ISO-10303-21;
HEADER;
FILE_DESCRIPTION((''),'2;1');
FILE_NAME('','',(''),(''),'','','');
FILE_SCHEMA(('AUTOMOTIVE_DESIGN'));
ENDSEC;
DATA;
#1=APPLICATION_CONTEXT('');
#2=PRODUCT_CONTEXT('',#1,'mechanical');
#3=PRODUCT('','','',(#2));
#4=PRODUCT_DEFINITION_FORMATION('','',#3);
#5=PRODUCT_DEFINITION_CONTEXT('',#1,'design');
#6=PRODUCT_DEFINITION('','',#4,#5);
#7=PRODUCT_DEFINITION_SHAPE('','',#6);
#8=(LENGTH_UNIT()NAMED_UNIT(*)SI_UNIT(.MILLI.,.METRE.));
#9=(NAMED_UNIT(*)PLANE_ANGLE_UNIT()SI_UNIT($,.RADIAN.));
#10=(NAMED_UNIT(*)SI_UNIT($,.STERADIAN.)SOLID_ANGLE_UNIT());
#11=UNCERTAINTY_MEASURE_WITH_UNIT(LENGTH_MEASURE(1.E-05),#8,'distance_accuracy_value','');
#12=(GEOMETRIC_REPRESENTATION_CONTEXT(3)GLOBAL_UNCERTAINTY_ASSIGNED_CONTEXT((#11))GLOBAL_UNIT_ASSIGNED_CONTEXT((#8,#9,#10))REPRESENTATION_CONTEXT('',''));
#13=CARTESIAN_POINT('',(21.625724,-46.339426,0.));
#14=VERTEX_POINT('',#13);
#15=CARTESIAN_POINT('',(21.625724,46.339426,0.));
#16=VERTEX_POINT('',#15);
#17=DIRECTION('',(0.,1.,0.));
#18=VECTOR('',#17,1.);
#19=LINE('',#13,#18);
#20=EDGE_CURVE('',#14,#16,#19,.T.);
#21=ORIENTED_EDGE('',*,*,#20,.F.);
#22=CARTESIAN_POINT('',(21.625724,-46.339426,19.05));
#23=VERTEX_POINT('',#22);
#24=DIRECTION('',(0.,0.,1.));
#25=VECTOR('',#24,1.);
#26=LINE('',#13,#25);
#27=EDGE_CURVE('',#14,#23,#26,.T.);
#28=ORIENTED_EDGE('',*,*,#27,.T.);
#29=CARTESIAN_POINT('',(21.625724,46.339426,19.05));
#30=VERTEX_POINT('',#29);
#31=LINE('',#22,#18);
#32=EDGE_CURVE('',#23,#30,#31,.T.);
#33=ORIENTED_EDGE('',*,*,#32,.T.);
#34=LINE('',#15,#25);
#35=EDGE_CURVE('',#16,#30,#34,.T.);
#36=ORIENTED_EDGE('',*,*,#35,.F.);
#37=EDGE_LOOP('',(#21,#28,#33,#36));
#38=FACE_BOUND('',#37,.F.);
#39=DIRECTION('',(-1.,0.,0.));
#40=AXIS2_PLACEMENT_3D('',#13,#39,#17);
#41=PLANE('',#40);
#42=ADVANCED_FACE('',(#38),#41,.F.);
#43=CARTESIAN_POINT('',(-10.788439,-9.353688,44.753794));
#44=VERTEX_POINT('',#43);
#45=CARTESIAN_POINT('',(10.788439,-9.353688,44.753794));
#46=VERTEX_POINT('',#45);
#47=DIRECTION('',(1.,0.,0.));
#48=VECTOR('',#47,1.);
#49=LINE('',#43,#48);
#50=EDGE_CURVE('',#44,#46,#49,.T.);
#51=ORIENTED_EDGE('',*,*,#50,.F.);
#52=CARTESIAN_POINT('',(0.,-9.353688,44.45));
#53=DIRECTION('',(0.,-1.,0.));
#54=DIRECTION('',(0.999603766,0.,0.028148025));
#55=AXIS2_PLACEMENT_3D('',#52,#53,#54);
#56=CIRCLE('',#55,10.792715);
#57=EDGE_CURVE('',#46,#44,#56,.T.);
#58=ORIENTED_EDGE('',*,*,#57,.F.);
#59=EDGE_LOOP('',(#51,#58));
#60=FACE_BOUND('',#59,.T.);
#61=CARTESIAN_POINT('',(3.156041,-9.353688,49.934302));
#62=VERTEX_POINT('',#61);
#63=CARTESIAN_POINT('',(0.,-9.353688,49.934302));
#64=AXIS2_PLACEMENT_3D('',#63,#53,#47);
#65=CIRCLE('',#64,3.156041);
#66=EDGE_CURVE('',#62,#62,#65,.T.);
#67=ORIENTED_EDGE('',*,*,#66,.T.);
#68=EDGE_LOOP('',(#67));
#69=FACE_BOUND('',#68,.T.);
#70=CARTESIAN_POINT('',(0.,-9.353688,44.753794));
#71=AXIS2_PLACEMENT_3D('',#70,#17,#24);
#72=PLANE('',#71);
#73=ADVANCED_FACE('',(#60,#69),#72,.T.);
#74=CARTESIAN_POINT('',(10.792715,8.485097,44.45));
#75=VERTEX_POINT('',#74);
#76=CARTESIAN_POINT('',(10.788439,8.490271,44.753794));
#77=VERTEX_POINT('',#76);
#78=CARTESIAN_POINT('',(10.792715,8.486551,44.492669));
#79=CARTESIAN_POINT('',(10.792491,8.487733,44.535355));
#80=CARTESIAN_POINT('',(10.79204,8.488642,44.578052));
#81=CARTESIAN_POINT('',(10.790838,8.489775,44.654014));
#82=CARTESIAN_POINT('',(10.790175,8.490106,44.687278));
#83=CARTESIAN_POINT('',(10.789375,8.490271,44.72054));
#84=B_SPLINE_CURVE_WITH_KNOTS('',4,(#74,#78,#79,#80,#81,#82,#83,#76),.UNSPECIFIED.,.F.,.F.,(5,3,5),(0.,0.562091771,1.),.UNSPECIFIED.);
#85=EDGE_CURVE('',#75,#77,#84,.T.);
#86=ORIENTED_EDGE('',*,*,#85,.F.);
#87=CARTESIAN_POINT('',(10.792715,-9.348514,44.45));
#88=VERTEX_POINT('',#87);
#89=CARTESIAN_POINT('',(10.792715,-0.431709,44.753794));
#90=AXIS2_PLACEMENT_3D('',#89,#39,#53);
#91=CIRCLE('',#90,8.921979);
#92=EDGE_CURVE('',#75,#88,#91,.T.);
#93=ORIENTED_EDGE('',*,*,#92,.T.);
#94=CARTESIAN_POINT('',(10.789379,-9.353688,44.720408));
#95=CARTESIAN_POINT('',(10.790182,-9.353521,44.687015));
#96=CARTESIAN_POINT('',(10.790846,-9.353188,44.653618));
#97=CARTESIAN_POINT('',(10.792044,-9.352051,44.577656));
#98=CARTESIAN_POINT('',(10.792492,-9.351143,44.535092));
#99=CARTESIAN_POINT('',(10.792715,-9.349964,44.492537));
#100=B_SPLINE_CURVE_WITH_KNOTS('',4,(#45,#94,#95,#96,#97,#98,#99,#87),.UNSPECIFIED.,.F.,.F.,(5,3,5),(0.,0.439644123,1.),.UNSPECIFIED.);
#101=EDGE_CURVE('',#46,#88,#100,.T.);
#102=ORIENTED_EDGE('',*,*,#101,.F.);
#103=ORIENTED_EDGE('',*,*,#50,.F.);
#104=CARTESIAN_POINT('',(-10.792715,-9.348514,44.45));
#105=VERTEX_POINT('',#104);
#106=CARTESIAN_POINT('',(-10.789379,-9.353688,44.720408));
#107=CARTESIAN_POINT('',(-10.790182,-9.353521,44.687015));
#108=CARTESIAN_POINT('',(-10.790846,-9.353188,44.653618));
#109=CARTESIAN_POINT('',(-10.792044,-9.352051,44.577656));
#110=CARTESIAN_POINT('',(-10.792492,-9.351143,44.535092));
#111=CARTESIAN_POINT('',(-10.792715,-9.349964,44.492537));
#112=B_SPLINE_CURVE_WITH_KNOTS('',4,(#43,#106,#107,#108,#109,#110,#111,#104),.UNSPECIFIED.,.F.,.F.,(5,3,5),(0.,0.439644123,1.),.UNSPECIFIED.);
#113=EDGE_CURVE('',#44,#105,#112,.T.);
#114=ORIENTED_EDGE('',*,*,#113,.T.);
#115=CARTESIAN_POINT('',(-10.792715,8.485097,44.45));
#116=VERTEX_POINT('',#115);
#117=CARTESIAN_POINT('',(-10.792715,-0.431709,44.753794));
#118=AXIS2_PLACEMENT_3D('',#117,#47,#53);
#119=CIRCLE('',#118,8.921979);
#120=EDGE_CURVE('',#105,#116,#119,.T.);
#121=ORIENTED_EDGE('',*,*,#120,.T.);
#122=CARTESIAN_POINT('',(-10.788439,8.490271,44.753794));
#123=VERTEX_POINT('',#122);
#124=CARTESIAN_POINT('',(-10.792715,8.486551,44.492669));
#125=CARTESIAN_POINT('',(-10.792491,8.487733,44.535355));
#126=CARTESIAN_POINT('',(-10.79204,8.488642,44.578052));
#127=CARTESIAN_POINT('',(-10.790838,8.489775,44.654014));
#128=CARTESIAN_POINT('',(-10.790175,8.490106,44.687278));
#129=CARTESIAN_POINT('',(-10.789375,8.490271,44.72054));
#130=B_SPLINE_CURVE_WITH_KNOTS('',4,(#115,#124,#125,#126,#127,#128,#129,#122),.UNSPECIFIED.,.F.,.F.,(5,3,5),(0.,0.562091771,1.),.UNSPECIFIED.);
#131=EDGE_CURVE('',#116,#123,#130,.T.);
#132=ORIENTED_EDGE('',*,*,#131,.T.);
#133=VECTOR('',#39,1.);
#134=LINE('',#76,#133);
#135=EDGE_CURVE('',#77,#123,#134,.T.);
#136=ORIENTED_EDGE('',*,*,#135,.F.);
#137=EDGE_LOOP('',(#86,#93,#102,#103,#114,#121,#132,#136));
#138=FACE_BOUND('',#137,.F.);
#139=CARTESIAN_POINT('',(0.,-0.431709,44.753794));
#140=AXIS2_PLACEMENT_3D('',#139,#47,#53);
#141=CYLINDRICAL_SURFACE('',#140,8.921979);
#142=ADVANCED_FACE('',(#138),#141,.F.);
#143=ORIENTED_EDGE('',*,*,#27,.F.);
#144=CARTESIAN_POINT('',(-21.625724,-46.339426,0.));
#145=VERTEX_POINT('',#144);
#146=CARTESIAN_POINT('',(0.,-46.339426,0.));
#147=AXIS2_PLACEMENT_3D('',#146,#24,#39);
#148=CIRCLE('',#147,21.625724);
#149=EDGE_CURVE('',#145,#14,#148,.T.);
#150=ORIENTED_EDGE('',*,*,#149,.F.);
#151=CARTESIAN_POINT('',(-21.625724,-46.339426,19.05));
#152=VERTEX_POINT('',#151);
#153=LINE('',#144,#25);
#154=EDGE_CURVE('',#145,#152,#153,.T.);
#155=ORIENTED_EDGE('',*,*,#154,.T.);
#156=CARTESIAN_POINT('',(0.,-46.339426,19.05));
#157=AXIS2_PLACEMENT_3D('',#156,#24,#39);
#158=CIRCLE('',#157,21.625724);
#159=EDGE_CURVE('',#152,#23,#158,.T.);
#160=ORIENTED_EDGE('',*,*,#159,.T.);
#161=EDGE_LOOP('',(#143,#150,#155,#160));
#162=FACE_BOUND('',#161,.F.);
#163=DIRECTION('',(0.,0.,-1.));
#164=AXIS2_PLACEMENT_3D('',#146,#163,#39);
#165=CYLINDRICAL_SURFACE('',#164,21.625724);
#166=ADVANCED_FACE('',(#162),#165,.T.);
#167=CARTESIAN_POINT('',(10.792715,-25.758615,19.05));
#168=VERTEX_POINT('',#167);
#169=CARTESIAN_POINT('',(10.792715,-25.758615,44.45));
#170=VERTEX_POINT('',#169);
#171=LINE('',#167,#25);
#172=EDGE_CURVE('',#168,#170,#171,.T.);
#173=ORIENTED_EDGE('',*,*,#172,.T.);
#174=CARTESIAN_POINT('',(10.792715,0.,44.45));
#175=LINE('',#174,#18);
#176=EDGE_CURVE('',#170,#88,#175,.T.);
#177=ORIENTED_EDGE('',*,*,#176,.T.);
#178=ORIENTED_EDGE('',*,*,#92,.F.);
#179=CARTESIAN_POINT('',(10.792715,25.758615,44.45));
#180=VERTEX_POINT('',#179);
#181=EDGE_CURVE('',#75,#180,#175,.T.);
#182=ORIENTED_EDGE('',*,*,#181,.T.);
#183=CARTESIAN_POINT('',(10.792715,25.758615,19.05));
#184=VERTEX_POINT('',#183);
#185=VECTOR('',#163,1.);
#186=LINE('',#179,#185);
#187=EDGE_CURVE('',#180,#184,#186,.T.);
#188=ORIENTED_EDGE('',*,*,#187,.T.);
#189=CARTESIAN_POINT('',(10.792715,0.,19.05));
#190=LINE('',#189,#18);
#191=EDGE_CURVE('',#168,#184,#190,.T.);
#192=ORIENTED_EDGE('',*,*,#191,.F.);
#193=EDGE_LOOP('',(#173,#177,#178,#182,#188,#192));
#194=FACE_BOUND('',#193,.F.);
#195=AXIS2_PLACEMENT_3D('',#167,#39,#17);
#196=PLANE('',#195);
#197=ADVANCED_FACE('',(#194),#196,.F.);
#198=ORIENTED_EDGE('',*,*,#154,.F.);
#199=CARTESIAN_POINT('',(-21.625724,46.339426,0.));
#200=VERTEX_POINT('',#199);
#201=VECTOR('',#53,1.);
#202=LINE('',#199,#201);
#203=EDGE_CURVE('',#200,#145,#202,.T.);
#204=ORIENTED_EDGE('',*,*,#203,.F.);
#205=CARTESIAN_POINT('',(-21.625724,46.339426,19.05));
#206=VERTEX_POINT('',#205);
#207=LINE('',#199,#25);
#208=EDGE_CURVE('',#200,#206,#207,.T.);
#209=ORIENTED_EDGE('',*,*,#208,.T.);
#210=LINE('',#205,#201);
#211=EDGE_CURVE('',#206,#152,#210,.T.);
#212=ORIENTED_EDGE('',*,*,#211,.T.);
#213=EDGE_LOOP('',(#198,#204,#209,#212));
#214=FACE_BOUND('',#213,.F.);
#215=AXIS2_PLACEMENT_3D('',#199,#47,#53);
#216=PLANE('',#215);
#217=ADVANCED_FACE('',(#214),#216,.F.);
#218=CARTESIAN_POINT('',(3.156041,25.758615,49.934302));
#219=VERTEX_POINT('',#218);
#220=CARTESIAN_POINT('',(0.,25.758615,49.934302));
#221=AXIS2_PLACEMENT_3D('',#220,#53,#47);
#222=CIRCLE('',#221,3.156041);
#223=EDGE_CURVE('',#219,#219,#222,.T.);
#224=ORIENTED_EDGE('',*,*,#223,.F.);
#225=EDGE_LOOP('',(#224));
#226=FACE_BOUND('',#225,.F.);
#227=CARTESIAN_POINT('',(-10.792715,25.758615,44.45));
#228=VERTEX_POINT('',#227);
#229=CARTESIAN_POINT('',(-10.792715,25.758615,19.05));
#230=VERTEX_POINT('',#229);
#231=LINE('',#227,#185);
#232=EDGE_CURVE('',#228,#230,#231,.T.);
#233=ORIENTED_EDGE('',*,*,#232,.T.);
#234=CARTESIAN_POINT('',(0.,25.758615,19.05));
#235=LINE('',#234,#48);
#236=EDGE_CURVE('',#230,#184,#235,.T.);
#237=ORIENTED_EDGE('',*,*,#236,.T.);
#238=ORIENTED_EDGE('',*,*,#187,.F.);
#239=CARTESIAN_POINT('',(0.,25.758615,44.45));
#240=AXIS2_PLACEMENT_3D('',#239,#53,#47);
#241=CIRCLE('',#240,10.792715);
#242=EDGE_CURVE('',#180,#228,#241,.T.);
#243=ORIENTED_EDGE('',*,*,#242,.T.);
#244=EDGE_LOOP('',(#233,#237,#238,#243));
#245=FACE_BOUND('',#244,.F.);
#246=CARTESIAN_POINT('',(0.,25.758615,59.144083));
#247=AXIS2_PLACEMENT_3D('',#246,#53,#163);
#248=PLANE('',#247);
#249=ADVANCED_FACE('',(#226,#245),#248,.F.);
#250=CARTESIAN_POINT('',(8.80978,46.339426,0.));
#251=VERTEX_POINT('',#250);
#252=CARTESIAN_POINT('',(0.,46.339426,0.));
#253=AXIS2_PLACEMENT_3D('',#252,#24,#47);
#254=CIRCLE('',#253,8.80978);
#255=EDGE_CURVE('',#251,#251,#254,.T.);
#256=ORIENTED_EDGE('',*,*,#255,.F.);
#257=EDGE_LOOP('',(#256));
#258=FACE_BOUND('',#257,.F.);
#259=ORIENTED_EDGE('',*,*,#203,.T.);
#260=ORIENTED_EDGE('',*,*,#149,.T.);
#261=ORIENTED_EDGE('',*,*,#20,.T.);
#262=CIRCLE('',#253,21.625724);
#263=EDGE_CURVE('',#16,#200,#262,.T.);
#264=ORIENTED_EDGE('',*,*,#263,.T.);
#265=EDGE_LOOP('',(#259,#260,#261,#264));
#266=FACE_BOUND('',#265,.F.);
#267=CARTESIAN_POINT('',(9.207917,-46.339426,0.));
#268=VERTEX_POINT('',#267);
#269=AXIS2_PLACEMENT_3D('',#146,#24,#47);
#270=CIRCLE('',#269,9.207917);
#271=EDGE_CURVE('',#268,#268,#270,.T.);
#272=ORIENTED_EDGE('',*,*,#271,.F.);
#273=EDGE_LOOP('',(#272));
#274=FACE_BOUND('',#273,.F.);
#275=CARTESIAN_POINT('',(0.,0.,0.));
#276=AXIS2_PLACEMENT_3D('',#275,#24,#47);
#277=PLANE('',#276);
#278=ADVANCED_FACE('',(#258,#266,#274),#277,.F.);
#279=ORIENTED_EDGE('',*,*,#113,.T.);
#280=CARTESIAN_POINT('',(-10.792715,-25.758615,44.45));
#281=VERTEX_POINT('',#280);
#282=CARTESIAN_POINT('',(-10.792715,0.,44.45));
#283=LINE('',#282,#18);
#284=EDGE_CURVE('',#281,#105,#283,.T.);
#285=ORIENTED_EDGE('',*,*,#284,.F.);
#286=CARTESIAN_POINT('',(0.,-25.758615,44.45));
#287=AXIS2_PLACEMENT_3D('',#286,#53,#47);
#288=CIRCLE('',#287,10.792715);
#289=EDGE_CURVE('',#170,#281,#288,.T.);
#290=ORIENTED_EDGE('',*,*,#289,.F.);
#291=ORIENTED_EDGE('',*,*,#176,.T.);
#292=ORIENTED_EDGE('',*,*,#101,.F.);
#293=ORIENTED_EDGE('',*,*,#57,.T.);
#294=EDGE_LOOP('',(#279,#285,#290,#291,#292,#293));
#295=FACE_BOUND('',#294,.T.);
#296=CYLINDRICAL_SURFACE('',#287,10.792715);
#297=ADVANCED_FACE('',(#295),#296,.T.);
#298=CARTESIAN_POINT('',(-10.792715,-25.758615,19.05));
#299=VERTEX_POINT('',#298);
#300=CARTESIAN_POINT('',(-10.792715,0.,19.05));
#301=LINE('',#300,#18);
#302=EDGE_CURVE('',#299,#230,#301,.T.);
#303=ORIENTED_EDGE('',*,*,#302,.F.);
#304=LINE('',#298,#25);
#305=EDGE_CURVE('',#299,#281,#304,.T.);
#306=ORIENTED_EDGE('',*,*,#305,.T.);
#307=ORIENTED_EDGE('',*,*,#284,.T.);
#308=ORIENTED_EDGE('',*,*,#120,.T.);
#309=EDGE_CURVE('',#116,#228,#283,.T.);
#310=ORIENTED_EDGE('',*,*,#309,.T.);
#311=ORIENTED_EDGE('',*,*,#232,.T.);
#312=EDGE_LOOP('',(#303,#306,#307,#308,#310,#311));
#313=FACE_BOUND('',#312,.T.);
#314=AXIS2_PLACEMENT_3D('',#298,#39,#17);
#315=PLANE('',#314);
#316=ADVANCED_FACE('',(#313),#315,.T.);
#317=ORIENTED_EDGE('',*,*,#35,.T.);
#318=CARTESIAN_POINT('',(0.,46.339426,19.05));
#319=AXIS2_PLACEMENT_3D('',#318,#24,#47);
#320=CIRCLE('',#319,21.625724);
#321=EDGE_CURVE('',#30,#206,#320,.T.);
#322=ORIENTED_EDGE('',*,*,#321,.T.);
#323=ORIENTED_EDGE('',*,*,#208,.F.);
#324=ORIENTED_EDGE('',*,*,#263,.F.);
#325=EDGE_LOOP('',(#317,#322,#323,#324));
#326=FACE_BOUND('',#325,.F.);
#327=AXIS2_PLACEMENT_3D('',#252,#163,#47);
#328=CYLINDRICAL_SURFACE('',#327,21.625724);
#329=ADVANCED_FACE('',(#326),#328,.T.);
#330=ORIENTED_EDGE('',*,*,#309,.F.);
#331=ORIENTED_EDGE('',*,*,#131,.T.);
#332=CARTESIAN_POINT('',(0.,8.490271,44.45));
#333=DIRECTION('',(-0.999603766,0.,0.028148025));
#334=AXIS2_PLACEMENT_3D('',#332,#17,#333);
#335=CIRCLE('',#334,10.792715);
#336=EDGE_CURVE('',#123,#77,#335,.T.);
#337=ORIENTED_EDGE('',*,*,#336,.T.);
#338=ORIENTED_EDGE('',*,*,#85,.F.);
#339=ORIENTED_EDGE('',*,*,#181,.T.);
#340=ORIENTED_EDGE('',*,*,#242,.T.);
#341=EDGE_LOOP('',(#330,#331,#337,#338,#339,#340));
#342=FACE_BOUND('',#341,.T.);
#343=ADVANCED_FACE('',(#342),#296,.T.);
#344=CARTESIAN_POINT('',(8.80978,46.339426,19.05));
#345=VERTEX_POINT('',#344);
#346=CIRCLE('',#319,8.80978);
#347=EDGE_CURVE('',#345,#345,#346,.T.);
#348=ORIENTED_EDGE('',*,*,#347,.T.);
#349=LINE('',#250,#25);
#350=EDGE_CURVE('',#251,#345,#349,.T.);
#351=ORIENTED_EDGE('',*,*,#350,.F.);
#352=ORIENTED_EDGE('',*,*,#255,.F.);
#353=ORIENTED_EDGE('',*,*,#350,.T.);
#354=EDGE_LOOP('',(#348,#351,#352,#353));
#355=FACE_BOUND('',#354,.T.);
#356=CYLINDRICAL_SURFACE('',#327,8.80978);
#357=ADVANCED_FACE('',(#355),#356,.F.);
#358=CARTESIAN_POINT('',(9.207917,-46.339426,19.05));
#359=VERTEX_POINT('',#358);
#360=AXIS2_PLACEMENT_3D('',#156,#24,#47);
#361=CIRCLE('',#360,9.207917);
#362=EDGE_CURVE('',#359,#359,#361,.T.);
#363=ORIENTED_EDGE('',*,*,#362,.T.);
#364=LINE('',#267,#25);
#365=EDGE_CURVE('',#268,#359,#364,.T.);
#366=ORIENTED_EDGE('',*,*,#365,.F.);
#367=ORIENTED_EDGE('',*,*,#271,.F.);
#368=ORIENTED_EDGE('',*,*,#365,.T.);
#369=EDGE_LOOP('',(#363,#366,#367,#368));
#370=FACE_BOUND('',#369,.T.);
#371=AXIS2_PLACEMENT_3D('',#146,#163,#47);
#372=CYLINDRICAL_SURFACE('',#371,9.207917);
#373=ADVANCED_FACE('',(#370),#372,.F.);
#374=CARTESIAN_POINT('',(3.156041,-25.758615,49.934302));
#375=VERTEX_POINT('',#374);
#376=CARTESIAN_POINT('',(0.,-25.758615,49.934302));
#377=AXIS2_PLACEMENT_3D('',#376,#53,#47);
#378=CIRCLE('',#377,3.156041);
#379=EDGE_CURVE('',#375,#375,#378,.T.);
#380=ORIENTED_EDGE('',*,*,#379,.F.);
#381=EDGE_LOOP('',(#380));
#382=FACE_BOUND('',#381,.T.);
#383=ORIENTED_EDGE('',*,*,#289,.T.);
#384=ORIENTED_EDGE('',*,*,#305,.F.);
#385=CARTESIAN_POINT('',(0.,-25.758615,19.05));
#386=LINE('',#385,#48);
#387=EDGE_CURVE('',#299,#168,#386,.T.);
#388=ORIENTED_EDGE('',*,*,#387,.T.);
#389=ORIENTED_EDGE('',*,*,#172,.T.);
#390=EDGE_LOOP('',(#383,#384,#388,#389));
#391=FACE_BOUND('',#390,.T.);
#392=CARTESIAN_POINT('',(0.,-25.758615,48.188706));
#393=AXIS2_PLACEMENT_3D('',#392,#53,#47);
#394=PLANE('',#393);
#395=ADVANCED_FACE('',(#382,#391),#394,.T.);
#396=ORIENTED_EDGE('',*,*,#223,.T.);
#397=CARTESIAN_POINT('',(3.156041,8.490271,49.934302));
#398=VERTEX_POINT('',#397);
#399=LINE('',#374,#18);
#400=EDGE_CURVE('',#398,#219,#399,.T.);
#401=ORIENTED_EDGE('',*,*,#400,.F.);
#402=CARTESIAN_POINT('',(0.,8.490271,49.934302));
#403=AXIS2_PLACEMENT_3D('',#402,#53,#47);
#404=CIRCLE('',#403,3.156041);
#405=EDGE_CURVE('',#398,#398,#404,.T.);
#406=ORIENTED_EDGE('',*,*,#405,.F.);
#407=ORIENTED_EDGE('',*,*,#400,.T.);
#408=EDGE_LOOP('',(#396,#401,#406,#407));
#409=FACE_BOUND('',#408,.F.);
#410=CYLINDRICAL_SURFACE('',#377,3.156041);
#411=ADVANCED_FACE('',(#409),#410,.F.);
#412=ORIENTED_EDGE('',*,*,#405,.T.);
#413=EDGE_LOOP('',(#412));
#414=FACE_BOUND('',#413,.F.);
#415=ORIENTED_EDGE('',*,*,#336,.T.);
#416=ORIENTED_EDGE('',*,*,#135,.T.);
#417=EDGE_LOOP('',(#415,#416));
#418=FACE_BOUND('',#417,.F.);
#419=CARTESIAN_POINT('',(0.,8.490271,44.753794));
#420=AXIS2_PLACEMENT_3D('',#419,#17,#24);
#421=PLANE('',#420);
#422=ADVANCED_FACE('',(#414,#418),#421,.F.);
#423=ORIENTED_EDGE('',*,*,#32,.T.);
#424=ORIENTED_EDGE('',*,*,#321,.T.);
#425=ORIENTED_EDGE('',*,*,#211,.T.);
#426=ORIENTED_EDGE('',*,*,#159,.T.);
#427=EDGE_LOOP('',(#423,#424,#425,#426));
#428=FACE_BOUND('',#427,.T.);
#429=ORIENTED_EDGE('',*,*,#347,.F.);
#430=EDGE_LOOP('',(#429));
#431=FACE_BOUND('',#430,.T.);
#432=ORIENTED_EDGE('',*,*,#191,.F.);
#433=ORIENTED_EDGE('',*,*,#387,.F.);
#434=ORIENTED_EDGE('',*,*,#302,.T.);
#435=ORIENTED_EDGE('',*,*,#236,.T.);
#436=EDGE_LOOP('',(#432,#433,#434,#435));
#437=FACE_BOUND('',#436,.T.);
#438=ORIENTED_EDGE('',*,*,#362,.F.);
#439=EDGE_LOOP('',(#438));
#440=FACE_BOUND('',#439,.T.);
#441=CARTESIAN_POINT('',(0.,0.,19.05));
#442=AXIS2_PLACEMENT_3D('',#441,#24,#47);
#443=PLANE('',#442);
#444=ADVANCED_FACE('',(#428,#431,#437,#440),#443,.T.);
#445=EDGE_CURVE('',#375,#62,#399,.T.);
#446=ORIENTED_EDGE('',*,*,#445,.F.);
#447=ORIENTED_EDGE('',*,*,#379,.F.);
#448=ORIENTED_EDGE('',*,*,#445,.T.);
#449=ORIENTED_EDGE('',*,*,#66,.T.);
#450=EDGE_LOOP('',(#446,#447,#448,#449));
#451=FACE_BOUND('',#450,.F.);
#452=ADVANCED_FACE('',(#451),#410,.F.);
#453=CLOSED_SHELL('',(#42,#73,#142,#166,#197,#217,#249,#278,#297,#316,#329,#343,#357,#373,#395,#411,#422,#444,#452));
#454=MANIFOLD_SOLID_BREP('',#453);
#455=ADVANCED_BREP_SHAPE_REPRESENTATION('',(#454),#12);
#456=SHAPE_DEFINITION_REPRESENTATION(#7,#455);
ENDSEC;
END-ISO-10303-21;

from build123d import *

# Parameters (mm, degrees)
F0_R      = 9.207917
F0_R_2    = 8.8097795002
F1_DEPTH  = 19.05
F2_W      = 21.5854309499
F2_H      = 51.5172295272
F3_DEPTH  = 25.4
F5_DEPTH  = 53.34
F7_DEPTH  = 25.4
F8_DEPTH  = 25.4
F9_W      = 17.8439589217
F9_H      = 25.0391028821
F10_DEPTH = 25.4
F11_DEPTH = 25.4
F12_R     = 3.1560406616
F13_DEPTH = 76.2


with BuildPart() as f1:
    # F0 (on Top) → F1 (new body)
    with BuildSketch(Plane.XY):
        with BuildLine():
            ThreePointArc((21.6257235091, 46.3394257879), (0, 67.965149297), (-21.6257235091, 46.3394257879))
            Line((-21.6257235091, 46.3394257879), (-21.6257235091, -46.3394257879))
            ThreePointArc((-21.6257235091, -46.3394257879), (0, -67.965149297), (21.6257235091, -46.3394257879))
            Line((21.6257235091, -46.3394257879), (21.6257235091, 46.3394257879))
        make_face()
        with Locations((0, -46.3394257879)):
            Circle(F0_R, mode=Mode.SUBTRACT)
        with Locations((0, 46.3394257879)):
            Circle(F0_R_2, mode=Mode.SUBTRACT)
    extrude(amount=F1_DEPTH)

    # F2 (on face) → F3 (join)
    with BuildSketch(Plane.XY.offset(19.05)):
        Rectangle(F2_W, F2_H)
    extrude(amount=F3_DEPTH)

    # F4 (on face) → F5 (join)
    with BuildSketch(Plane.XZ.offset(25.7586147636)):
        with BuildLine():
            Line((0, 44.45), (10.792715475, 44.45))
            ThreePointArc((10.792715475, 44.45), (0, 55.242715475), (-10.792715475, 44.45))
            Line((-10.792715475, 44.45), (0, 44.45))
        make_face()
    extrude(amount=-F5_DEPTH)

    # F6 (on Right) → F7 (cut)
    with BuildSketch(Plane.YZ):
        Polygon((25.7586147636, 59.1440834105), (25.7586147636, 44.753793627), (25.7586147636, 35.5440117419), (39.5732931793, 35.5440117419), (39.5732931793, 59.1440834105), align=None)
    extrude(amount=-F7_DEPTH, mode=Mode.SUBTRACT)

    # F6 (on Right) → F8 (cut)
    with BuildSketch(Plane.YZ):
        Polygon((25.7586147636, 59.1440834105), (25.7586147636, 44.753793627), (25.7586147636, 35.5440117419), (39.5732931793, 35.5440117419), (39.5732931793, 59.1440834105), align=None)
    extrude(amount=F8_DEPTH, mode=Mode.SUBTRACT)

    # F9 (on Right) → F10 (cut)
    with BuildSketch(Plane.YZ):
        with Locations((-0.4317085259, 57.2733450681)):
            Rectangle(F9_W, F9_H)
        with BuildLine():
            Line((8.490270935, 44.753793627), (-9.3536879867, 44.753793627))
            ThreePointArc((-9.3536879867, 44.753793627), (-0.4317085259, 35.8318141662), (8.490270935, 44.753793627))
        make_face()
    extrude(amount=-F10_DEPTH, mode=Mode.SUBTRACT)

    # F9 (on Right) → F11 (cut)
    with BuildSketch(Plane.YZ):
        with Locations((-0.4317085259, 57.2733450681)):
            Rectangle(F9_W, F9_H)
        with BuildLine():
            Line((8.490270935, 44.753793627), (-9.3536879867, 44.753793627))
            ThreePointArc((-9.3536879867, 44.753793627), (-0.4317085259, 35.8318141662), (8.490270935, 44.753793627))
        make_face()
    extrude(amount=F11_DEPTH, mode=Mode.SUBTRACT)

    # F12 (on face) → F13 (cut)
    with BuildSketch(Plane.XZ.offset(25.7586147636)):
        with Locations((0, 49.9343015254)):
            Circle(F12_R)
    extrude(amount=-F13_DEPTH, mode=Mode.SUBTRACT)


solid = f1.part
